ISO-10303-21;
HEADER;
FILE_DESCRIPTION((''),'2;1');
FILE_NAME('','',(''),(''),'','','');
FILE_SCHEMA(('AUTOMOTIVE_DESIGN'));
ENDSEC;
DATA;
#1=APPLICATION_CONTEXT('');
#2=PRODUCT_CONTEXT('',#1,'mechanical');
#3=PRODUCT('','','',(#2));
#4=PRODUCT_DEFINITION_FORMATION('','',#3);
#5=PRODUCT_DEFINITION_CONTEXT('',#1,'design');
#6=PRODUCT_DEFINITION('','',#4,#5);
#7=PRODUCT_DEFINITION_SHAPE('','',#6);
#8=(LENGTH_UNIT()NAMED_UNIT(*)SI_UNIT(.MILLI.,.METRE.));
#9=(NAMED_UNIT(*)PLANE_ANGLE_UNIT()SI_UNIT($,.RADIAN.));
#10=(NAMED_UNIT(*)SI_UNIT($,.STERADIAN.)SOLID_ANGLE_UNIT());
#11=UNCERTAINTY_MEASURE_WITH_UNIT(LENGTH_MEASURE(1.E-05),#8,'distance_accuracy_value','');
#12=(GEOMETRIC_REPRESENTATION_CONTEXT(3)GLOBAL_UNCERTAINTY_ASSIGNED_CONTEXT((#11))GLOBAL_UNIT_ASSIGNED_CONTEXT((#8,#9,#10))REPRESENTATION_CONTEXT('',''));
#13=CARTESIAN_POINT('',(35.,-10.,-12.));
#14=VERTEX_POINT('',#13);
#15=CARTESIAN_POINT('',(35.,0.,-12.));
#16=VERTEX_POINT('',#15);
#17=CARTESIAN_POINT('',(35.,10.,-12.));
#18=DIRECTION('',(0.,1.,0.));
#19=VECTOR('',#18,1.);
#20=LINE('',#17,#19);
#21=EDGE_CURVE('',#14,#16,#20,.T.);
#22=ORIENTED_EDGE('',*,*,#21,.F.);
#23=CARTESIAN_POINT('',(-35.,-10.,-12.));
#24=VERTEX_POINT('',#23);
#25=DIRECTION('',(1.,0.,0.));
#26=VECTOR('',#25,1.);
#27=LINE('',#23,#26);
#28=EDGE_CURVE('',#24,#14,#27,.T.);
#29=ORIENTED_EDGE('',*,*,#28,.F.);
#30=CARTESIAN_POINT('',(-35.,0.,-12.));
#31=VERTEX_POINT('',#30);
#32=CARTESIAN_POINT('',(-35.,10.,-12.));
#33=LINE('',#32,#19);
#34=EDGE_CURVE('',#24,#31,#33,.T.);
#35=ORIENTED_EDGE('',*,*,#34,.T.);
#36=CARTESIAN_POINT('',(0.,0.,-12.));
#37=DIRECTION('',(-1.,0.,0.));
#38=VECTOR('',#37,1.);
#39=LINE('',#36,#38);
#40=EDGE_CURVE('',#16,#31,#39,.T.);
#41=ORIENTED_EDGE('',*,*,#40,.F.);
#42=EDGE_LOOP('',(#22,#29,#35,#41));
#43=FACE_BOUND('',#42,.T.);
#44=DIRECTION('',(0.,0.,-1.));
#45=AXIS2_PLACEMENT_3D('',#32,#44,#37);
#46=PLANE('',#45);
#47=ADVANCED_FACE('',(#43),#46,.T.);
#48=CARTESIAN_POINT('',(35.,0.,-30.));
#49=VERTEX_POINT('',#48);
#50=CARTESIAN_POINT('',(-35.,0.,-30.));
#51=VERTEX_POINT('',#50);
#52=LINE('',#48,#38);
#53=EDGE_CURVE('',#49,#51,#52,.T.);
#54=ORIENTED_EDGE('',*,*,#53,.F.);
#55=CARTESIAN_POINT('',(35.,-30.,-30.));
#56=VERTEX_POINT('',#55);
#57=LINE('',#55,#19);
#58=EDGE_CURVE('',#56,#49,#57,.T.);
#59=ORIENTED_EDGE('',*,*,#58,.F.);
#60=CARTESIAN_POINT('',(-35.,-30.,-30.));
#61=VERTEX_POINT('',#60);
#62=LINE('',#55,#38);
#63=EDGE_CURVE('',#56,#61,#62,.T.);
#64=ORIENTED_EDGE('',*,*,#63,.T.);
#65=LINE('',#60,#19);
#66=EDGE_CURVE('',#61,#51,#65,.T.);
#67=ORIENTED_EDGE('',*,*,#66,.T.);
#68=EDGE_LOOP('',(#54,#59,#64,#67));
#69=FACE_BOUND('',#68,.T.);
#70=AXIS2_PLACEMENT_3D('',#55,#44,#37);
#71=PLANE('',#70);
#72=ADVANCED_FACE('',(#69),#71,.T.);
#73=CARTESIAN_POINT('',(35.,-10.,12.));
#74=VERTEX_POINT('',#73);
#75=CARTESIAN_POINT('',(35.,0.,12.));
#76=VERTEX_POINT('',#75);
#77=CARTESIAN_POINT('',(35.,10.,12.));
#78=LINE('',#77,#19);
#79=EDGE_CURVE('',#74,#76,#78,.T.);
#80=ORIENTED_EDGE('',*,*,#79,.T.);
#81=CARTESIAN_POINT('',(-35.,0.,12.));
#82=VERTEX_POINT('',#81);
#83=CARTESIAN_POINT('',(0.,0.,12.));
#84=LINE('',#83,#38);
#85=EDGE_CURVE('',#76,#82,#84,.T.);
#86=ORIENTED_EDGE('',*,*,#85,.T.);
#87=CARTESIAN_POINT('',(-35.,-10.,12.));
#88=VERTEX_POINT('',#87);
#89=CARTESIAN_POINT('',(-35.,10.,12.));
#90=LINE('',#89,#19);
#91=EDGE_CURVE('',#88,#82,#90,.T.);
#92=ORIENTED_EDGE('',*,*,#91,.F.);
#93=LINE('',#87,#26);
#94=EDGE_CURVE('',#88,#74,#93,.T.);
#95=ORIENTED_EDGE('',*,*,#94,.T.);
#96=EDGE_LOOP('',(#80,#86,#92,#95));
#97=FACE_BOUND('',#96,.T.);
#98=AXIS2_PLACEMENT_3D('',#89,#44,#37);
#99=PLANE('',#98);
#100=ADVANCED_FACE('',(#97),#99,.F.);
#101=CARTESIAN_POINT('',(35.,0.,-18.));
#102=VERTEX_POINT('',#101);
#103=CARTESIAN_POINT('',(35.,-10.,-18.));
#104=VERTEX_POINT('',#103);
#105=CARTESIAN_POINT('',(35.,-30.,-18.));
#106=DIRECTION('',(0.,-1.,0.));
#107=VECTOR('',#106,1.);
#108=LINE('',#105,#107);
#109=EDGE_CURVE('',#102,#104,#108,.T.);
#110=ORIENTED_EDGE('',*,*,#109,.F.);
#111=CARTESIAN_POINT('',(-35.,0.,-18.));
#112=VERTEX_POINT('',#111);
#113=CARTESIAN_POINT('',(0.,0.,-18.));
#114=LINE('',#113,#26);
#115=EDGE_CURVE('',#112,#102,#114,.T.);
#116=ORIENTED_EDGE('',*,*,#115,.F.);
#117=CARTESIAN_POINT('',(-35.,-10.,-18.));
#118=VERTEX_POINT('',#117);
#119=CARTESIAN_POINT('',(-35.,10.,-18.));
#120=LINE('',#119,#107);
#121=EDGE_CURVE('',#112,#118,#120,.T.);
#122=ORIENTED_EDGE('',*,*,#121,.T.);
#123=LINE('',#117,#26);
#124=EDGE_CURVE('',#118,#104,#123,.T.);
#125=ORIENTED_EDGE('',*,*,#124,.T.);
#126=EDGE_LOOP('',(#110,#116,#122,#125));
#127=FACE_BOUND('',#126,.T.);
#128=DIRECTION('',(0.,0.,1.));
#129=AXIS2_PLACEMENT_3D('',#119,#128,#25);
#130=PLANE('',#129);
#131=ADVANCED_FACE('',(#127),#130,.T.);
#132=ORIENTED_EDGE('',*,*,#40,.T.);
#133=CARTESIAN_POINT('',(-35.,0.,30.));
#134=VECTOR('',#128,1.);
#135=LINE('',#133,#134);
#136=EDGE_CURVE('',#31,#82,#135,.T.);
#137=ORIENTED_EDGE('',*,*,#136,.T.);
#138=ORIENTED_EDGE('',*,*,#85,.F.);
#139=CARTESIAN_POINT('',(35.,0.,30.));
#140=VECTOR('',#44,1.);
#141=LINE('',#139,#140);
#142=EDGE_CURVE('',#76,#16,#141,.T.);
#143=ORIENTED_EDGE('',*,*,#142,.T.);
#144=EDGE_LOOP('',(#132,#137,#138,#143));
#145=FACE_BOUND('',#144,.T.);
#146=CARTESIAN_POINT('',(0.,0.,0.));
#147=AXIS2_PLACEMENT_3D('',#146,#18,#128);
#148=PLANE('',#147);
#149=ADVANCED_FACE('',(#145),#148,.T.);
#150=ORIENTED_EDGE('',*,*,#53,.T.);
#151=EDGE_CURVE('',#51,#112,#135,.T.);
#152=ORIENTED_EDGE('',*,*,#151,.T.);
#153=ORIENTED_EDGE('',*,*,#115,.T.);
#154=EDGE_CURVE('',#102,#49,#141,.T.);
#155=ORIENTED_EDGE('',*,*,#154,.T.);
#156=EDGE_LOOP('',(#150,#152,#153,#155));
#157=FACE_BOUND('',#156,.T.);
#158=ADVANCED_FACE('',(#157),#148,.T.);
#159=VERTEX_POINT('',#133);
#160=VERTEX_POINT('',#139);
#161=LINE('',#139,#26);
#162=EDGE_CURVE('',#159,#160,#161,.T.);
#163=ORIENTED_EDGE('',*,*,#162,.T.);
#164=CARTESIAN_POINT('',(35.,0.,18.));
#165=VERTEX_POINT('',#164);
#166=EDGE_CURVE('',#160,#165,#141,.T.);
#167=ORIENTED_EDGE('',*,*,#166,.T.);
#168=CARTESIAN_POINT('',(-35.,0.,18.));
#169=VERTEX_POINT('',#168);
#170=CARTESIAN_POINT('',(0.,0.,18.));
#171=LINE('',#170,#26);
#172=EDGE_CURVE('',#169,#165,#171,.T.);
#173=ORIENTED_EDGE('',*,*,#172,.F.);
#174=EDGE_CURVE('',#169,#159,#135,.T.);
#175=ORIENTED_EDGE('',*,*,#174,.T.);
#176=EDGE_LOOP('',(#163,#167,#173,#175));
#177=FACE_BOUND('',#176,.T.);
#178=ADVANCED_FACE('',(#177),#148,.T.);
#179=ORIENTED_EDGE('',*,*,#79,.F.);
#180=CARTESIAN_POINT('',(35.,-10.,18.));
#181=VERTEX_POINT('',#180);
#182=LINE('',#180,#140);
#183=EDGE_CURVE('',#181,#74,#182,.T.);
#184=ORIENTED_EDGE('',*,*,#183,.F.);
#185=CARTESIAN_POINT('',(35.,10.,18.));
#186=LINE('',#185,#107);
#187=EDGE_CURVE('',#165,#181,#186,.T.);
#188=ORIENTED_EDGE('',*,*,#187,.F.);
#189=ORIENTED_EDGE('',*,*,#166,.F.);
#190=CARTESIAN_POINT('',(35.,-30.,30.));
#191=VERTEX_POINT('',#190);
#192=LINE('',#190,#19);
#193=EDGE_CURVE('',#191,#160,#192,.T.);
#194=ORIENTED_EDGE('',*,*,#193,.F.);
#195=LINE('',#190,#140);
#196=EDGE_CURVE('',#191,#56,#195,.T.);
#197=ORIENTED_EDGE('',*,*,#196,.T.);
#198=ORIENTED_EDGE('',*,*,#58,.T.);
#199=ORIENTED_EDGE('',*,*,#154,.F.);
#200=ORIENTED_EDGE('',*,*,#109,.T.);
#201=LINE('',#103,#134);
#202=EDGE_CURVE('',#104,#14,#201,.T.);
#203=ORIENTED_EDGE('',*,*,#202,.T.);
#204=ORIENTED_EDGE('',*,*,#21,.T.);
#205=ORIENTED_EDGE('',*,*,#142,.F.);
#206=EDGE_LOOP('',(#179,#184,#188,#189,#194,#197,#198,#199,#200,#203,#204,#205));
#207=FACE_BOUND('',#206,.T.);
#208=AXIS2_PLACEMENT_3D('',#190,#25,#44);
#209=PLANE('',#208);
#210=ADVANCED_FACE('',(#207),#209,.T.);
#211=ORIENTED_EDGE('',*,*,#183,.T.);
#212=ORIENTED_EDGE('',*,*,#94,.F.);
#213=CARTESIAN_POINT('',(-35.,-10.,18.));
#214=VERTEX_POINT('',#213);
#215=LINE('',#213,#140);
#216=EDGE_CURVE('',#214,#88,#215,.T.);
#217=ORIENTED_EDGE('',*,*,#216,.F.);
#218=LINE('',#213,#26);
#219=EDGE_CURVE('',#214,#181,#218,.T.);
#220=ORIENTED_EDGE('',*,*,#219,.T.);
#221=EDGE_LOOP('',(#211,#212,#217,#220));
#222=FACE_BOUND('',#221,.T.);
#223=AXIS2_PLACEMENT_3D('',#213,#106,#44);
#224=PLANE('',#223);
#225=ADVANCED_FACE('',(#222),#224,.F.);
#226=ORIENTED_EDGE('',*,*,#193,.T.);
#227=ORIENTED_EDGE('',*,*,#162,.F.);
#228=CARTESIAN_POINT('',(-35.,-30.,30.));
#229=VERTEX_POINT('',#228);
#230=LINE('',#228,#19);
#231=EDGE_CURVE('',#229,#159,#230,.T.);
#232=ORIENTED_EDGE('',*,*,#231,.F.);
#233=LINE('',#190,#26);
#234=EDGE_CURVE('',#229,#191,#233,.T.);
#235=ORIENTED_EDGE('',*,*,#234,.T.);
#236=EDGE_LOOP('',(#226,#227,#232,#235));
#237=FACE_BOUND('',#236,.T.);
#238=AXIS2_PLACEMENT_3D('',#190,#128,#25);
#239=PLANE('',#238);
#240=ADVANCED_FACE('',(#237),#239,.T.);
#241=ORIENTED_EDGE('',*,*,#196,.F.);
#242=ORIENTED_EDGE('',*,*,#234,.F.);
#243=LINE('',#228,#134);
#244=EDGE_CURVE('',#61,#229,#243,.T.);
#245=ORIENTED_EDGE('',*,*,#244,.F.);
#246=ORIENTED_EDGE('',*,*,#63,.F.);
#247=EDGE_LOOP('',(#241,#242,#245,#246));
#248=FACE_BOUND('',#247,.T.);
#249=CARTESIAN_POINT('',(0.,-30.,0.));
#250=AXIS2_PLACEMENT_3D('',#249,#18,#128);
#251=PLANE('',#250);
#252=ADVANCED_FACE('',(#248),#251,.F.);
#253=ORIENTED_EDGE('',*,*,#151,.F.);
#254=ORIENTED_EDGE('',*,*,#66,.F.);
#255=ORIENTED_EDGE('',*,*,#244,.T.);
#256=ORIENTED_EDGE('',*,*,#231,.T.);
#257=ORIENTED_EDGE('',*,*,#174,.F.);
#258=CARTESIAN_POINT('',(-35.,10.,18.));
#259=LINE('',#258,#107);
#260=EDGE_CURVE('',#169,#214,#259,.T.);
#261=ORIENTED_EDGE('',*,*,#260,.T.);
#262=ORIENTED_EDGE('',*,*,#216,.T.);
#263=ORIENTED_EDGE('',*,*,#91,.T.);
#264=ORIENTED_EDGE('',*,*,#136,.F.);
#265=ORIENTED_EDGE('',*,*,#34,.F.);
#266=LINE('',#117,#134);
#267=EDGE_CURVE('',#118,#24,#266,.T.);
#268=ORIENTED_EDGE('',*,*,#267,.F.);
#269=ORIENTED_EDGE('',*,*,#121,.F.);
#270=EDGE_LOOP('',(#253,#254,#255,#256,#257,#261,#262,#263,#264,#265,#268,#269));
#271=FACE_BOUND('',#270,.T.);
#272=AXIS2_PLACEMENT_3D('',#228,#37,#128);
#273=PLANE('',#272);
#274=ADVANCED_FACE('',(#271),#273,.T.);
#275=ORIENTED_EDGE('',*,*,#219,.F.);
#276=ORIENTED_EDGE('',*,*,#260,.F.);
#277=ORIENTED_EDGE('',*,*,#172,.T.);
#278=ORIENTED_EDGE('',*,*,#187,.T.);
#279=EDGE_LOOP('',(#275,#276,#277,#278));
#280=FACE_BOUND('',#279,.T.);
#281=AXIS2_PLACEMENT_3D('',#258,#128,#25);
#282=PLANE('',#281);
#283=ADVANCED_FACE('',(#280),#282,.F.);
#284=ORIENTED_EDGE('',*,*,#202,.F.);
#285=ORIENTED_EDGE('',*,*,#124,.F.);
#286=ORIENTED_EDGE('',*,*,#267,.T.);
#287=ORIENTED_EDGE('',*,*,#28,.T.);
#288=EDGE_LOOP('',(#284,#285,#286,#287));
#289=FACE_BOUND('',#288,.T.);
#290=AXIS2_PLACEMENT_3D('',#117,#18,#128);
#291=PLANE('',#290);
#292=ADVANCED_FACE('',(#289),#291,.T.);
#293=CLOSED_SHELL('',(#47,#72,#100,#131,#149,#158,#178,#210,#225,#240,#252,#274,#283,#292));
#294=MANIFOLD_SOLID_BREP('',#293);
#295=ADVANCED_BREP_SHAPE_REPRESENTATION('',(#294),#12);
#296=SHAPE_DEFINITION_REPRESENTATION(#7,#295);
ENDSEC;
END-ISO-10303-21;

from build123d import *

# Parameters (mm, degrees)
SKETCH3_W           = 70
SKETCH3_H           = 60
BOSS_EXTRUDE1_DEPTH = 30
SKETCH4_W           = 6
SKETCH4_H           = 20
CUT_EXTRUDE1_DEPTH  = 82.853527719


with BuildPart() as part:
    # Sketch3 → Boss-Extrude1 (new body)
    with BuildSketch(Plane(origin=(0, 0, 0), x_dir=(1, 0, 0), z_dir=(0, 1, 0))):
        Rectangle(SKETCH3_W, SKETCH3_H)
    extrude(amount=-BOSS_EXTRUDE1_DEPTH)

    # Sketch4 → Cut-Extrude1 (cut, through all)
    with BuildSketch(Plane(origin=(35, 0, 0), x_dir=(0, 0, -1), z_dir=(1, 0, 0))):
        with Locations((-15, 0)):
            Rectangle(SKETCH4_W, SKETCH4_H)
    cut_extrude1 = extrude(amount=-CUT_EXTRUDE1_DEPTH, mode=Mode.SUBTRACT)

    # Mirror1: Cut-Extrude1 across plane
    add(cut_extrude1.mirror(Plane.XY), mode=Mode.SUBTRACT)


solid = part.part
